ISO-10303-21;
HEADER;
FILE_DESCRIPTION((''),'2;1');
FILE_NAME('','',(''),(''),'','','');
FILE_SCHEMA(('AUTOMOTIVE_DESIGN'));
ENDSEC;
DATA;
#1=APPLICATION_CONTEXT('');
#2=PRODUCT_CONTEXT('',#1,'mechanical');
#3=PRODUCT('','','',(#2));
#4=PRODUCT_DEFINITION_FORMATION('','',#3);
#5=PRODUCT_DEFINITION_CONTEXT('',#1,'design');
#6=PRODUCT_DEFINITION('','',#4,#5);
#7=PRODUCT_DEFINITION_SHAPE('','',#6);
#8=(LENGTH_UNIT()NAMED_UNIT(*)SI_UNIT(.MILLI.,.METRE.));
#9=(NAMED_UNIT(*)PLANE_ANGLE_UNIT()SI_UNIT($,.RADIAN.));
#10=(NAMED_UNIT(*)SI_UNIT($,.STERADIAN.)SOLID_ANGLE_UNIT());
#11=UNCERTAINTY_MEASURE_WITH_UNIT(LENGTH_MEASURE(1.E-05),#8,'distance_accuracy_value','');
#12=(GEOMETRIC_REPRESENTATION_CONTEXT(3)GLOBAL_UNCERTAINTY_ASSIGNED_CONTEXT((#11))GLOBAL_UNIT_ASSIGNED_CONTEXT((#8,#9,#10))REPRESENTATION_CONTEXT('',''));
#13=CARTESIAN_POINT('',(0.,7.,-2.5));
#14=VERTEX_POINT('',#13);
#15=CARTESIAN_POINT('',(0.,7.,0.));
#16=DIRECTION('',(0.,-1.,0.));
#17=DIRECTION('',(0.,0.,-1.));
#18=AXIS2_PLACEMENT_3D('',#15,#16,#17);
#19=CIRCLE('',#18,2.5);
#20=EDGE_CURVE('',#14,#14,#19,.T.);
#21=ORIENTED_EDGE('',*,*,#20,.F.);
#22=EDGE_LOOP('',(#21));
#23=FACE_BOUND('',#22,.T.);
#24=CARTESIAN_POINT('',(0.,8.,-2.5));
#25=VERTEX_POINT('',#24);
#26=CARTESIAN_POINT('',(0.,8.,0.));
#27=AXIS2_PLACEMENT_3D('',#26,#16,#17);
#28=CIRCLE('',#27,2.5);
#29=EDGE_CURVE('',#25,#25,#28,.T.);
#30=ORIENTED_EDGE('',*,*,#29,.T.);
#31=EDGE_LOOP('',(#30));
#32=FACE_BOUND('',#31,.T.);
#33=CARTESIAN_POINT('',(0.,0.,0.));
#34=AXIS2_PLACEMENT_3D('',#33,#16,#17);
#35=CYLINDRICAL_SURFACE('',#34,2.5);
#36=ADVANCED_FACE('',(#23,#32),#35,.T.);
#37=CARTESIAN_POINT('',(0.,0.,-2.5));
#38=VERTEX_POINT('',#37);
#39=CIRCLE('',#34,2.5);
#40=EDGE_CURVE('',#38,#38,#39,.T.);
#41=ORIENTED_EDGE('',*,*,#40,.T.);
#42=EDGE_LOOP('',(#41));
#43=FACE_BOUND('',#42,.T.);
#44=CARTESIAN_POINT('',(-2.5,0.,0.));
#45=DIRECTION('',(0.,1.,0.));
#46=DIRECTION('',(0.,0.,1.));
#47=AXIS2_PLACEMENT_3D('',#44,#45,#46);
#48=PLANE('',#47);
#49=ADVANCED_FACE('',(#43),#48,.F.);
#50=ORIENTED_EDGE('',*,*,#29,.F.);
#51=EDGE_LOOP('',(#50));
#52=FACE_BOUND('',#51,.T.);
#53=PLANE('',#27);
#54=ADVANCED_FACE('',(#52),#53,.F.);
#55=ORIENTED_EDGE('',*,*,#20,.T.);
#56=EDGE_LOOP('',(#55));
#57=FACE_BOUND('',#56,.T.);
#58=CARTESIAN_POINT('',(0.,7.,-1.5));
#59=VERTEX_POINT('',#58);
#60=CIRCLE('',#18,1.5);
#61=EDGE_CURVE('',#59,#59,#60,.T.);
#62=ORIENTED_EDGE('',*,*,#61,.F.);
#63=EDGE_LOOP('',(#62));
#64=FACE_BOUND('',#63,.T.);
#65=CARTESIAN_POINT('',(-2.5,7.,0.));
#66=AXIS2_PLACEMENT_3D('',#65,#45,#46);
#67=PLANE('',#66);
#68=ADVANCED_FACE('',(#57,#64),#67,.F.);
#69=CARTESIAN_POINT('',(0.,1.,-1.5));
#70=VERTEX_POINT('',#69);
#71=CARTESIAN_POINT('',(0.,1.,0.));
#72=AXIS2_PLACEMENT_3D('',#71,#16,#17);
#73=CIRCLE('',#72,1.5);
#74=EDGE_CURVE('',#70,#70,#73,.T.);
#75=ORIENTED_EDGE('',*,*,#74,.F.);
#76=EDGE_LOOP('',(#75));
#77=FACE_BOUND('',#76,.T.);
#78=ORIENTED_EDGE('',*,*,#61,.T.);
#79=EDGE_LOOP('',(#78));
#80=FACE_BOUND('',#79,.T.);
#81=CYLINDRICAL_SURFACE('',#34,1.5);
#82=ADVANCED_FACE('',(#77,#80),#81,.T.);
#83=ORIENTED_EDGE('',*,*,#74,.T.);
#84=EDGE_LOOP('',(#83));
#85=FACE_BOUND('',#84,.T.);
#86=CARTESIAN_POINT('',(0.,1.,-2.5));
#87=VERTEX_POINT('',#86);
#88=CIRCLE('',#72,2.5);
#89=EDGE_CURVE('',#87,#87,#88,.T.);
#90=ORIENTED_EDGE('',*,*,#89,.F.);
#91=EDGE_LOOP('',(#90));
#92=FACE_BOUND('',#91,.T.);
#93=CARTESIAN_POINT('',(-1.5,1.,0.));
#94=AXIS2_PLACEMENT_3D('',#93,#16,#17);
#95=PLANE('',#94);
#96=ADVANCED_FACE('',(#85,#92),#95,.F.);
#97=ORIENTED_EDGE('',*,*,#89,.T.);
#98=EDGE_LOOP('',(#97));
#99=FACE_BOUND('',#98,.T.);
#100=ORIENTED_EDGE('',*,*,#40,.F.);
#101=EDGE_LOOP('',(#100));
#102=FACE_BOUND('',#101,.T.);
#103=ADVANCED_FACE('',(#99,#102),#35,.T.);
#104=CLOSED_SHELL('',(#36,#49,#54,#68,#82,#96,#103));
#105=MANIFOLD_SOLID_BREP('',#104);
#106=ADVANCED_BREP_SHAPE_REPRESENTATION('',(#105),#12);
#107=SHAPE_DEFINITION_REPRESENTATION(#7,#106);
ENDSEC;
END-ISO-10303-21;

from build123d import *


with BuildPart() as part:
    # Sketch1 → Revolve1 (revolve)
    with BuildSketch(Plane.XY, mode=Mode.PRIVATE) as revolve1_sk:
        Polygon((0, 0), (0, 8), (-2.5, 8), (-2.5, 7), (-1.5, 7), (-1.5, 1), (-2.5, 1), (-2.5, 0), align=None)
    revolve(revolve1_sk.sketch.rotate(Axis((0, 0, 0), (0, 1, 0)), 270), axis=Axis((0, 0, 0), (0, 1, 0)))


solid = part.part
